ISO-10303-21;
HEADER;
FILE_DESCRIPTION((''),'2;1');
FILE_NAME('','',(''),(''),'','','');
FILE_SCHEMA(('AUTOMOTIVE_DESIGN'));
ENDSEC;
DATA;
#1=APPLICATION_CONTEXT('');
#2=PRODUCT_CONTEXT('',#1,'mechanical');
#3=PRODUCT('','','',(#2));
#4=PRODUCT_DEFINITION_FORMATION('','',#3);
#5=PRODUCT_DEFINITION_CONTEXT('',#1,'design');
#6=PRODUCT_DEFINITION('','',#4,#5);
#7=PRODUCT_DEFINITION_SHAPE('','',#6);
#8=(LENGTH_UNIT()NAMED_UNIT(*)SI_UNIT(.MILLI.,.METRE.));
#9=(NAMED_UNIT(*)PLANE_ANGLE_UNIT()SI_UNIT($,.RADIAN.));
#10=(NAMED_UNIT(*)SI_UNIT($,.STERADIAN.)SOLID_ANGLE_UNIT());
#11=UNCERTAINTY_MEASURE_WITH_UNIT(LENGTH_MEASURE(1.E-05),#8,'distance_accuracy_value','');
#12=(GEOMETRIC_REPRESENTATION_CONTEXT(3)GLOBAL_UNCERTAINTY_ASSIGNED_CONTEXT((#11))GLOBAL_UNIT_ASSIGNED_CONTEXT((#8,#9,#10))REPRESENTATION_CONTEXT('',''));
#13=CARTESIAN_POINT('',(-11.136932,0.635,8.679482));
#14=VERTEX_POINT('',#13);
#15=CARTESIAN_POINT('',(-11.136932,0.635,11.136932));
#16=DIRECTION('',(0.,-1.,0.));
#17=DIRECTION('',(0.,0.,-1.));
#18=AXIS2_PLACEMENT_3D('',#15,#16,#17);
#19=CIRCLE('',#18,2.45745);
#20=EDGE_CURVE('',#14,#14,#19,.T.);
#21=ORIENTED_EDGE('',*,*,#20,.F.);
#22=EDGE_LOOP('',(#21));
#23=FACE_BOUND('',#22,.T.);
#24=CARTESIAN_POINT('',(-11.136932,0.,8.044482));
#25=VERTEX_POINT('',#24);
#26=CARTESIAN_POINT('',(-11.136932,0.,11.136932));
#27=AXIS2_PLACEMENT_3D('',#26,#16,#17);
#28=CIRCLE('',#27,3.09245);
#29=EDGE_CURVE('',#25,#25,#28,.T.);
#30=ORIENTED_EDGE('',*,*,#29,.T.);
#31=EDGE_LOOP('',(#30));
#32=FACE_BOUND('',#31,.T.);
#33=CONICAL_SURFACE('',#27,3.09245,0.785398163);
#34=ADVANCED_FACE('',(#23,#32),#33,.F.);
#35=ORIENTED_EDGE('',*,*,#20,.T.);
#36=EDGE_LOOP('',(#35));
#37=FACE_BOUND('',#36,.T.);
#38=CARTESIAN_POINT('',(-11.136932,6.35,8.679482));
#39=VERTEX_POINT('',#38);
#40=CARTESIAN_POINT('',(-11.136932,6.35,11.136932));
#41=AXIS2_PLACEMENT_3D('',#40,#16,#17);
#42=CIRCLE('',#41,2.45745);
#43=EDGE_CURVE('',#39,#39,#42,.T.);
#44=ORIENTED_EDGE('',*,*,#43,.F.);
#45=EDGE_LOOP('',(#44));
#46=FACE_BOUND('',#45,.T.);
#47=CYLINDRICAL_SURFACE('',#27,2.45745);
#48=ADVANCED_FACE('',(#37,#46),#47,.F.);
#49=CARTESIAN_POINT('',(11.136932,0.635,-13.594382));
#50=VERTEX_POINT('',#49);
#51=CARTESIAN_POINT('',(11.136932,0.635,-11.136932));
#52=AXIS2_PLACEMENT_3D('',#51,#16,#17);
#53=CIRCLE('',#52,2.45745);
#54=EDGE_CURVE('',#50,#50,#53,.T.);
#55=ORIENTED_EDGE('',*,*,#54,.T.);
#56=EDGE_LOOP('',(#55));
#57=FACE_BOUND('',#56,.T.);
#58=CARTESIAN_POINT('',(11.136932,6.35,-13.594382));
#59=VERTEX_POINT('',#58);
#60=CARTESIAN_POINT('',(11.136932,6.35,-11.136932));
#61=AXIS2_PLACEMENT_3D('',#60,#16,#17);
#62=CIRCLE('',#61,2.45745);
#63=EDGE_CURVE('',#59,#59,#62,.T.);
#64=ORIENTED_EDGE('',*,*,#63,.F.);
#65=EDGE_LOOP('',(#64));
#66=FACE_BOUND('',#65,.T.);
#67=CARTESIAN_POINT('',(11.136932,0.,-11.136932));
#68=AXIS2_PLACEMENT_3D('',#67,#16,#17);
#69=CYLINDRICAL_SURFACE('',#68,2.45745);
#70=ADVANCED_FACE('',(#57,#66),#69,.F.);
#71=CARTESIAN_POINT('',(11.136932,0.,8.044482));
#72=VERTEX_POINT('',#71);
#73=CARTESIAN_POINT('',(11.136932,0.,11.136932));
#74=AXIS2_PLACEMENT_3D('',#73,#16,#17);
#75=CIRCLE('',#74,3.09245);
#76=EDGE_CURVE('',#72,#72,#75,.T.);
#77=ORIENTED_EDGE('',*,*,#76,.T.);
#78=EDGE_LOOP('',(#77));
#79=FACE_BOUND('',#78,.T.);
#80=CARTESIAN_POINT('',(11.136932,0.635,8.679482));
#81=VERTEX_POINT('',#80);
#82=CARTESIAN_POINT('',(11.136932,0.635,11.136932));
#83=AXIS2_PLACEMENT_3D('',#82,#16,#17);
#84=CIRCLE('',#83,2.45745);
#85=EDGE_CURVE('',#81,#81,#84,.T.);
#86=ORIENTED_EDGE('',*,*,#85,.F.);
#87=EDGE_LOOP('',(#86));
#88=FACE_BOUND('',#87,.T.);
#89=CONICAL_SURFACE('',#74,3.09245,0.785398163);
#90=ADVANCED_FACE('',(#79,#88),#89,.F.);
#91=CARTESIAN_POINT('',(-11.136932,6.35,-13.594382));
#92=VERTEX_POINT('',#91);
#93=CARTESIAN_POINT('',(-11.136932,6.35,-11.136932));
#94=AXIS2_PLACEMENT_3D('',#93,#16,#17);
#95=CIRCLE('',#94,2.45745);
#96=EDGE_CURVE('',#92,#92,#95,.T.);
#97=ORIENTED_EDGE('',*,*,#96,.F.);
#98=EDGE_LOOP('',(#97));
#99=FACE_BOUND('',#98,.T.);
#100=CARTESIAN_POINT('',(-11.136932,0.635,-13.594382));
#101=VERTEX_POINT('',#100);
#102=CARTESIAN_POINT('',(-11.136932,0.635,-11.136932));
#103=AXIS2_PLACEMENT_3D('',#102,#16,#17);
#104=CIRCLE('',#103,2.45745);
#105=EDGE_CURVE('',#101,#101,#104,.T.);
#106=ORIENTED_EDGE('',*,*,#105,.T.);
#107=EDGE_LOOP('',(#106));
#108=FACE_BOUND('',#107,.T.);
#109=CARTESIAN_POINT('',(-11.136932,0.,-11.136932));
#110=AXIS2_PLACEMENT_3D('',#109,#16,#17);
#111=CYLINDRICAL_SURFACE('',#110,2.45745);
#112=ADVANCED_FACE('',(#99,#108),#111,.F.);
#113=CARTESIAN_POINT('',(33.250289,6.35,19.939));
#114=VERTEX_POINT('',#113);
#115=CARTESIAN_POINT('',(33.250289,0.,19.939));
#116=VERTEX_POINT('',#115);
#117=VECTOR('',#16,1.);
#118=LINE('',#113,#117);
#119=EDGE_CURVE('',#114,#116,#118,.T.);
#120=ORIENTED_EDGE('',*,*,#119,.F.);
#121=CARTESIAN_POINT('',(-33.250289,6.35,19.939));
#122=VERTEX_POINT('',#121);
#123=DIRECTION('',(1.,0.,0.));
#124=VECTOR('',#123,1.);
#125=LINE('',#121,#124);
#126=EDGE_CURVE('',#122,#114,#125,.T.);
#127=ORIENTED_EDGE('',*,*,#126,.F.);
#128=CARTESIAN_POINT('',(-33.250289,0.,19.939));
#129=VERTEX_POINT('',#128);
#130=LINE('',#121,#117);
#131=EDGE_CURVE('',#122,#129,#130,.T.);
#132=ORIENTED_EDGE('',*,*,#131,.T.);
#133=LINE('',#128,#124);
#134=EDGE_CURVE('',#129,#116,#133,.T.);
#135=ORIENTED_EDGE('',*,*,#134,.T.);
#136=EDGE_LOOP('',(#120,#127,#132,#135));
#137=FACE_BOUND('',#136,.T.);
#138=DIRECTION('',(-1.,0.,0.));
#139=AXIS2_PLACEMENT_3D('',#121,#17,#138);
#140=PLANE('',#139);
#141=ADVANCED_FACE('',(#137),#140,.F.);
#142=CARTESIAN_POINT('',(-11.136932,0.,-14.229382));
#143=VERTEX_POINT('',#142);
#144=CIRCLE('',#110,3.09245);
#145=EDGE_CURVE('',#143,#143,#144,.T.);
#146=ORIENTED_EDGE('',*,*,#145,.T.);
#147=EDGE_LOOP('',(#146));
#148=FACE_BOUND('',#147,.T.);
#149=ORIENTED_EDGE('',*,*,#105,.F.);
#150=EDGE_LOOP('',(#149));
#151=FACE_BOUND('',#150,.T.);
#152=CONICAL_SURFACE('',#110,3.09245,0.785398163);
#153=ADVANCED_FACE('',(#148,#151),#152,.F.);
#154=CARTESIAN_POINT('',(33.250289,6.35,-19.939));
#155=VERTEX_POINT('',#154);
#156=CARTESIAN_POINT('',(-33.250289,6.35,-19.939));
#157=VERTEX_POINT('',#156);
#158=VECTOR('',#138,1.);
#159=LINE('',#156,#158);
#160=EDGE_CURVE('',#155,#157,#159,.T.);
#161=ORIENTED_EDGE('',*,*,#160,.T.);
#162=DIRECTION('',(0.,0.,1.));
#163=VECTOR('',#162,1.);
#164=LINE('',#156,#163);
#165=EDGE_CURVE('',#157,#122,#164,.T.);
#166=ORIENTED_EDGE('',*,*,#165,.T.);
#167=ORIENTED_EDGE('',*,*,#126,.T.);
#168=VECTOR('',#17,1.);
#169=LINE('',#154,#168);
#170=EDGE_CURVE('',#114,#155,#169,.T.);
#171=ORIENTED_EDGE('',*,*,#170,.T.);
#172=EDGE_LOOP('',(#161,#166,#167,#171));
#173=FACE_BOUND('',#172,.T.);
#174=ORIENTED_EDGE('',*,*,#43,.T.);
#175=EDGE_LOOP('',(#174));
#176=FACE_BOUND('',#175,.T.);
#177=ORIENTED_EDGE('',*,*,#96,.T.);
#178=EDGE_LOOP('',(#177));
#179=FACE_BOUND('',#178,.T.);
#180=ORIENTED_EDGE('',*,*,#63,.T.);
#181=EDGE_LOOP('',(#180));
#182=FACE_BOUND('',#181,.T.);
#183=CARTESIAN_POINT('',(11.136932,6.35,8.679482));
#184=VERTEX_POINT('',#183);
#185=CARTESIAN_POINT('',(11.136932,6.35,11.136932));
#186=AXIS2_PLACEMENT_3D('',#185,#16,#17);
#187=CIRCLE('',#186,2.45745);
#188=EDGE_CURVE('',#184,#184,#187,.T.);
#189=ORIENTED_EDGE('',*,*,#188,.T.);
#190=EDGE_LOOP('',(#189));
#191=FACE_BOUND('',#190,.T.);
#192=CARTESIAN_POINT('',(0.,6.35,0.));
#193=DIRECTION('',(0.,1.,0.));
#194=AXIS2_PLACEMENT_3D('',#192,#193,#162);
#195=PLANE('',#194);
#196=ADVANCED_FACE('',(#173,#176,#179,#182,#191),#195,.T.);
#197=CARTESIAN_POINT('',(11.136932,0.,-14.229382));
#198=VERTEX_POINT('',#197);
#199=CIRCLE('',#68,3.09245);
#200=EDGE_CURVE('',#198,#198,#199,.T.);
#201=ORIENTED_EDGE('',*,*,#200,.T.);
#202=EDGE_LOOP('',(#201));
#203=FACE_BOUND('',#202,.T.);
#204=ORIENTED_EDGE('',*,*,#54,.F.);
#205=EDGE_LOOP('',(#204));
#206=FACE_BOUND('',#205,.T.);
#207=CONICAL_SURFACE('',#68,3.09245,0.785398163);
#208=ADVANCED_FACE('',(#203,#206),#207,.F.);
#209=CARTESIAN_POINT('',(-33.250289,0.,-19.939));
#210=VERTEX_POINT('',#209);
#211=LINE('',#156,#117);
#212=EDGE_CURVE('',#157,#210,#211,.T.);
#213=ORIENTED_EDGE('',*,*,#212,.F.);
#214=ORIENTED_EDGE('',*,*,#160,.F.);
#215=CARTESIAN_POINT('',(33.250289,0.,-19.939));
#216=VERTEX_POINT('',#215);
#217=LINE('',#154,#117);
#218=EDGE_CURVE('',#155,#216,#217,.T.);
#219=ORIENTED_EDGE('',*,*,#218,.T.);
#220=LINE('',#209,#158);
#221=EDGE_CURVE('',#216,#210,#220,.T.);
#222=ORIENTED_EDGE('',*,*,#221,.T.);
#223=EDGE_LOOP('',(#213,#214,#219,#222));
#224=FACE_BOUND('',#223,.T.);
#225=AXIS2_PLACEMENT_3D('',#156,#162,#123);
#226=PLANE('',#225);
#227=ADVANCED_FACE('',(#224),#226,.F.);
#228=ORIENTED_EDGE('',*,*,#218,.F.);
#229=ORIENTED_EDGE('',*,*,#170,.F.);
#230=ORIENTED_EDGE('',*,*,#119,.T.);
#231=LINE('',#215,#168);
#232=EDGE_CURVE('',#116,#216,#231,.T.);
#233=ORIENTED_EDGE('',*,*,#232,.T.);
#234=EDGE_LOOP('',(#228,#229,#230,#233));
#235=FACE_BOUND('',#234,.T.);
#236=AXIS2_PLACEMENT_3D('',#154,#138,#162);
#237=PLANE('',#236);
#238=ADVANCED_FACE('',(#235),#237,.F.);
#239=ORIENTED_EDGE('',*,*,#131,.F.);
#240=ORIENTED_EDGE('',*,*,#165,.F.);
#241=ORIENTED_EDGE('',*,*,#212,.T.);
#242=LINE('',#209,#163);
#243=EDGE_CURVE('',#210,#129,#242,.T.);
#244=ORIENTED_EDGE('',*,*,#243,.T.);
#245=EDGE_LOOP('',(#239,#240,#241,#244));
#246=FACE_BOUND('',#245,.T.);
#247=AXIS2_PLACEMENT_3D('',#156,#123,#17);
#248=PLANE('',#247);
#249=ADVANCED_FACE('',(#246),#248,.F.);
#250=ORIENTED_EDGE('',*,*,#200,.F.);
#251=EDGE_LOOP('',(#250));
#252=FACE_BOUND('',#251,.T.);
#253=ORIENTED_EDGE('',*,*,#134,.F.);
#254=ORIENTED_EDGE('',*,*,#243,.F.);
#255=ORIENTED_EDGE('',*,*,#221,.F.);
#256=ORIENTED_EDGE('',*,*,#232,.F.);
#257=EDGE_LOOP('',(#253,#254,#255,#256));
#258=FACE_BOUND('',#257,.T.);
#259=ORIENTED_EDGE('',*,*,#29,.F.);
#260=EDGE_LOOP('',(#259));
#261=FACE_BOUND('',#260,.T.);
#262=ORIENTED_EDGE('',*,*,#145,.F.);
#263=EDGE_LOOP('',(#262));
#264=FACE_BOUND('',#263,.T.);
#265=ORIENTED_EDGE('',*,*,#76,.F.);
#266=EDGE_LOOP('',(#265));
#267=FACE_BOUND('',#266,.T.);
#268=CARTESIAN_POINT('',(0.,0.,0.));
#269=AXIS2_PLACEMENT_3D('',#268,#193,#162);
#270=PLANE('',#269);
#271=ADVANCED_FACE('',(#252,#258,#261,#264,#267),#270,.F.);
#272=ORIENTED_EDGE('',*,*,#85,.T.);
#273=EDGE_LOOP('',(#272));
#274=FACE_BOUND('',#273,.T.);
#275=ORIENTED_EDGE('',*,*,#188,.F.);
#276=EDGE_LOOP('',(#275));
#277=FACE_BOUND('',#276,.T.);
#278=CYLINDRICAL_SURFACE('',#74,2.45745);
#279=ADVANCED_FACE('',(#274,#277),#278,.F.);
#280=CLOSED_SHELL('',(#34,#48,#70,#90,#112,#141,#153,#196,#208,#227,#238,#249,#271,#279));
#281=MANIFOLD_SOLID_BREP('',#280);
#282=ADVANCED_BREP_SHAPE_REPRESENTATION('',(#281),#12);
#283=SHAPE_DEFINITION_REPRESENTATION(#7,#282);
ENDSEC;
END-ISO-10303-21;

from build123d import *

# Parameters (mm, degrees)
SKETCH1_W                              = 66.500577654
SKETCH1_H                              = 39.878
BOSS_EXTRUDE1_DEPTH                    = 6.35
F_10_0_1935_DIAMETER_HOLE1_D           = 4.9149
F_10_0_1935_DIAMETER_HOLE1_CSINK_D     = 6.1849
F_10_0_1935_DIAMETER_HOLE1_CSINK_ANGLE = 90


with BuildPart() as part:
    # Sketch1 → Boss-Extrude1 (new body)
    with BuildSketch(Plane(origin=(0, 0, 0), x_dir=(1, 0, 0), z_dir=(0, 1, 0))):
        Rectangle(SKETCH1_W, SKETCH1_H)
    extrude(amount=BOSS_EXTRUDE1_DEPTH)

    # #10 (0.1935) Diameter Hole1 (through all)
    with Locations(Plane(origin=(0, 0, 0), x_dir=(-1, 0, 0), z_dir=(0, -1, 0))):
        with Locations((-11.136931804, 11.136931804), (11.136931804, 11.136931804), (11.136931804, -11.136931804), (-11.136931804, -11.136931804)):
            CounterSinkHole(F_10_0_1935_DIAMETER_HOLE1_D / 2, F_10_0_1935_DIAMETER_HOLE1_CSINK_D / 2, counter_sink_angle=F_10_0_1935_DIAMETER_HOLE1_CSINK_ANGLE)


solid = part.part
